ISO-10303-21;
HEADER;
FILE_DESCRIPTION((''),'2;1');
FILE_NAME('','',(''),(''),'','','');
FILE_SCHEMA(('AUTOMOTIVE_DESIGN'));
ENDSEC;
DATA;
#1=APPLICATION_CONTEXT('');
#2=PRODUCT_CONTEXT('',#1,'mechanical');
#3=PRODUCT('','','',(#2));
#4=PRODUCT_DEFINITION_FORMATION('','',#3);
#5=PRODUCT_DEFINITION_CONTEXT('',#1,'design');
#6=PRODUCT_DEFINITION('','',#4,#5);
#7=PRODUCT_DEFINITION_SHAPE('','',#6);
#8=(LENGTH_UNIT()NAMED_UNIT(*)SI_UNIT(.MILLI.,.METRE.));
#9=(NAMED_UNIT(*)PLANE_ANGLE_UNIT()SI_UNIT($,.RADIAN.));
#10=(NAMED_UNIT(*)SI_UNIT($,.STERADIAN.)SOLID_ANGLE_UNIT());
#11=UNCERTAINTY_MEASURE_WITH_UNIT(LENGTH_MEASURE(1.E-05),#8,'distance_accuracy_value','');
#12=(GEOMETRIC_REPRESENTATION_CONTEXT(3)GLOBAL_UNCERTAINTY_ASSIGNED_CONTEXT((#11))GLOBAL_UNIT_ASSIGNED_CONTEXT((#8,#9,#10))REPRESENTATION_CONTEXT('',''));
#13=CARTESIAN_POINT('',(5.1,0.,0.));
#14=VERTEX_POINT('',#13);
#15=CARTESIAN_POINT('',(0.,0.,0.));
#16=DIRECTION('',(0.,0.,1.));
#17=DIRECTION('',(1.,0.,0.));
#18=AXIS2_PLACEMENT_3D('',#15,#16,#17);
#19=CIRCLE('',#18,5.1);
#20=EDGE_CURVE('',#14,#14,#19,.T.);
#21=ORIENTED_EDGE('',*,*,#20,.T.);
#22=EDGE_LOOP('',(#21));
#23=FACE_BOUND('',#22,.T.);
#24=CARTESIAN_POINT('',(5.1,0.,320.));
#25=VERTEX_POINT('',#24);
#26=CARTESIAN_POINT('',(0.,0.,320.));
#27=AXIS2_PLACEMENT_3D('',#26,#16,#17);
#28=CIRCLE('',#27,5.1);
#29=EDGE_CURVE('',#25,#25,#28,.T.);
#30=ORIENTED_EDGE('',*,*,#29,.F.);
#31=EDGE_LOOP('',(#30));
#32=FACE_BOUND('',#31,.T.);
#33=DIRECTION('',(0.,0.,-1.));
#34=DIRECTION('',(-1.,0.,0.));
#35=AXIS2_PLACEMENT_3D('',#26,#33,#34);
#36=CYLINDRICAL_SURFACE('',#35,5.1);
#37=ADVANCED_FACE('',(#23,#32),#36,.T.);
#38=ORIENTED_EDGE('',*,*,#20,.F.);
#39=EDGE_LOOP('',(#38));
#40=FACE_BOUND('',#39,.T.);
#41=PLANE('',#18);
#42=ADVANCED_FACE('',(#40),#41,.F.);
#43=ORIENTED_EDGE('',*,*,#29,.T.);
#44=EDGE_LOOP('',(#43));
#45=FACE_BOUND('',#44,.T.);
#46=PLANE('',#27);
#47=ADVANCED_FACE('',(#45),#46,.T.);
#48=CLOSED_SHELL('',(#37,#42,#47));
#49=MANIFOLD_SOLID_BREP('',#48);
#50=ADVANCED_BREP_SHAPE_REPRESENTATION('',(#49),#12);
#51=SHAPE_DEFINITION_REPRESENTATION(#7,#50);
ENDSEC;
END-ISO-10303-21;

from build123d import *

# Parameters (mm, degrees)
SKETCH1_R           = 5.1
BOSS_EXTRUDE1_DEPTH = 320


with BuildPart() as part:
    # Sketch1 → Boss-Extrude1 (new body)
    with BuildSketch(Plane.XY):
        Circle(SKETCH1_R)
    extrude(amount=BOSS_EXTRUDE1_DEPTH)


solid = part.part
